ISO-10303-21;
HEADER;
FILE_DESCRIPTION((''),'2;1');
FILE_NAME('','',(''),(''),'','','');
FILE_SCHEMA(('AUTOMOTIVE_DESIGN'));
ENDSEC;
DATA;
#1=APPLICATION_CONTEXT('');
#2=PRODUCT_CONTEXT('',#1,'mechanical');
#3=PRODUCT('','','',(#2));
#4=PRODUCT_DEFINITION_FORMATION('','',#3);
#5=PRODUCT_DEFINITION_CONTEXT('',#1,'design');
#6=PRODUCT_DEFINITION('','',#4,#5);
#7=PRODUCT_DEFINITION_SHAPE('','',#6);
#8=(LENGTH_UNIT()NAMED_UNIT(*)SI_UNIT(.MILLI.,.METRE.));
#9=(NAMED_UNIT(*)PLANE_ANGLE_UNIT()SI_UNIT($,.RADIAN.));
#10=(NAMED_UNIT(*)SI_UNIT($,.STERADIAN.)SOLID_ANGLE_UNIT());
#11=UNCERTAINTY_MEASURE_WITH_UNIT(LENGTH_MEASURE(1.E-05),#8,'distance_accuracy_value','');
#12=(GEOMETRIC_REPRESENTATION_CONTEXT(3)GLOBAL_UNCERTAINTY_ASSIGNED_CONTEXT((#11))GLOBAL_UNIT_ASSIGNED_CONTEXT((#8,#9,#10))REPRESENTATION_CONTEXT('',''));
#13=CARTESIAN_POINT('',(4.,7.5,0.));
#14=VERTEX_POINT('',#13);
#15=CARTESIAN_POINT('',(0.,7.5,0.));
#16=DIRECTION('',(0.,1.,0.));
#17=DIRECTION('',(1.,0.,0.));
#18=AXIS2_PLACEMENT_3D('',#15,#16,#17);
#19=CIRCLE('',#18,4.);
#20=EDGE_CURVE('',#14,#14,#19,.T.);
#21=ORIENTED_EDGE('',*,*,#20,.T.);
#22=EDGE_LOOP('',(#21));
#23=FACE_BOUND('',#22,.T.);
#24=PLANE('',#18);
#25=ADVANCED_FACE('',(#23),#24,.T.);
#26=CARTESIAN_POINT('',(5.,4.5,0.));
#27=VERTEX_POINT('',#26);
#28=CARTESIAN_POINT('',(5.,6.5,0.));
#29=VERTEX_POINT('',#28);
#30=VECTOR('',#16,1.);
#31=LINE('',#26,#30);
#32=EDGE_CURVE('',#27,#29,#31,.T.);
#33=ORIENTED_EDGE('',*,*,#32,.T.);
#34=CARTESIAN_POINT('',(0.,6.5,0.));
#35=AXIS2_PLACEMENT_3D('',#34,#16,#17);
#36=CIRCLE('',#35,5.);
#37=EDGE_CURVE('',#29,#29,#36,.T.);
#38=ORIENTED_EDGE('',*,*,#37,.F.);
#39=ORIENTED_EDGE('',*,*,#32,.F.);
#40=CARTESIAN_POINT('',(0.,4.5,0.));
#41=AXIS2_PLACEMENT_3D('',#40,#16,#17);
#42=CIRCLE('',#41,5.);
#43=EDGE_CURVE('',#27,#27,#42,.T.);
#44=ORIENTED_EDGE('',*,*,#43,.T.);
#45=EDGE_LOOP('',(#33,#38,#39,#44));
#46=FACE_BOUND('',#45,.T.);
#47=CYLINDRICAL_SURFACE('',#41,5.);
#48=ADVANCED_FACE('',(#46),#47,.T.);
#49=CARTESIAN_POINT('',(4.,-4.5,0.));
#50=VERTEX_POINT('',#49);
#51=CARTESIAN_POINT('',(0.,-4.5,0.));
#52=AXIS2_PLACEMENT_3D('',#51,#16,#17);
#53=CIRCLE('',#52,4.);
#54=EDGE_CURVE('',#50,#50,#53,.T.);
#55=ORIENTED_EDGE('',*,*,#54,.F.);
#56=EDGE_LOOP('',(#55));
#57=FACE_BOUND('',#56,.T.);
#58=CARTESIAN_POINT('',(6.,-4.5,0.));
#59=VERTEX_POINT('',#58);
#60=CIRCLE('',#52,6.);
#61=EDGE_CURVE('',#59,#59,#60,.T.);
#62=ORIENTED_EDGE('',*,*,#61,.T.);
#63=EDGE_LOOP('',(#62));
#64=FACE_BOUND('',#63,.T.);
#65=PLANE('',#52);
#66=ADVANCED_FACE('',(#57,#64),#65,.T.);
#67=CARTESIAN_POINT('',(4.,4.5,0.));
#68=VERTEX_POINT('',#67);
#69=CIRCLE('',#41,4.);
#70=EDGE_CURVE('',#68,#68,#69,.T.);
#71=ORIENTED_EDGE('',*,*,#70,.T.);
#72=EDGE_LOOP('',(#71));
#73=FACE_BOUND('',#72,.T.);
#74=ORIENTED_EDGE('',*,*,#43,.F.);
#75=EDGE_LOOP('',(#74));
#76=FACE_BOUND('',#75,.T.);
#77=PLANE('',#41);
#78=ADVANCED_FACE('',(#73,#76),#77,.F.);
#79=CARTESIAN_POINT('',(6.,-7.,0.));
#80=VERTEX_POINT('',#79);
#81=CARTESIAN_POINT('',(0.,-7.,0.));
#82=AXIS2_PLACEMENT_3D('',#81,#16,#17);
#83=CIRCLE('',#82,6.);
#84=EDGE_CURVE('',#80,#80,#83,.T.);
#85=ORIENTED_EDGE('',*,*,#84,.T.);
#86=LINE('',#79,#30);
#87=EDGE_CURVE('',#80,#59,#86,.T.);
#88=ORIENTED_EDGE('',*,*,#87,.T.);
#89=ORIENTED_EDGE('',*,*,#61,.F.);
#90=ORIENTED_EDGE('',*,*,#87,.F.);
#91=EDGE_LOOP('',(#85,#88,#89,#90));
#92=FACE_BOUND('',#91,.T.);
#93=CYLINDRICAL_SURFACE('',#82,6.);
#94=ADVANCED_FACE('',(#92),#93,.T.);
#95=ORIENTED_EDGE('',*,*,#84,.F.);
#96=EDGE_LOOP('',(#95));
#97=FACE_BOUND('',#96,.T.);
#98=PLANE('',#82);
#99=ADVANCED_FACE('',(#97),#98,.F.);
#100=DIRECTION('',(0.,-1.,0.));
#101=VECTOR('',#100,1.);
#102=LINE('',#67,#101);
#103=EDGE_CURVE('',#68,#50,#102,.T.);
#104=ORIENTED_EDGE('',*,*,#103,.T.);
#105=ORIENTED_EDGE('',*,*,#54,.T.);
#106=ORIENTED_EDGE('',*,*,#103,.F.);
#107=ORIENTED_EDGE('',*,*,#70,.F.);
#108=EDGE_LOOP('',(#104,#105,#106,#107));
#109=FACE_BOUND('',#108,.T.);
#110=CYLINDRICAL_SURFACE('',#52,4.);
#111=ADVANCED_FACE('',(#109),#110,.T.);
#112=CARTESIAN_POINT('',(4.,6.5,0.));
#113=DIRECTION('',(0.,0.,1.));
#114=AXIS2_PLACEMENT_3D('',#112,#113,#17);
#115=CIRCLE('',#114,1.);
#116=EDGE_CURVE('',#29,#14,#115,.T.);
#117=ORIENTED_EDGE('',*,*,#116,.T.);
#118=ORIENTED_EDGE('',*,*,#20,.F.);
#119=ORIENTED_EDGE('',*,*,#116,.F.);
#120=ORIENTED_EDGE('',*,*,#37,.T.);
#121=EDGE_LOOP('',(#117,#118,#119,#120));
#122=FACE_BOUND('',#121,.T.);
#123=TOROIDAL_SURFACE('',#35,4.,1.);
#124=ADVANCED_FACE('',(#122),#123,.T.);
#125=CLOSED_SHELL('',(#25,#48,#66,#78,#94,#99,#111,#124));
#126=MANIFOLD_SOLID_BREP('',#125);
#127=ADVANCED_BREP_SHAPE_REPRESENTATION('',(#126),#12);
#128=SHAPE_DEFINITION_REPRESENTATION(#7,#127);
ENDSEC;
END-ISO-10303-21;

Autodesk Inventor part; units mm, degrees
ref_plane "YZ Plane" through (0, 0, 0) normal (1, 0, 0) x (0, 1, 0)
ref_plane "XZ Plane" through (0, 0, 0) normal (0, 1, 0) x (-1, 0, 0)
ref_plane "XY Plane" through (0, 0, 0) normal (0, 0, 1) x (1, 0, 0)
sketch "Sketch1" plane through (0, 0, 0) normal (0, 0, 1) x (1, 0, 0)
  line L0 (-1.2, 0) -> (7.2, 0) projected
  line L1 (0, -9.9414) -> (0, 10.6485) projected
  line L2 (0, -7) -> (6, -7)
  line L3 (6, -7) -> (6, -4.5)
  line L4 (6, -4.5) -> (4, -4.5)
  line L5 (4, -4.5) -> (4, 4.5)
  line L6 (4, 4.5) -> (5, 4.5)
  line L7 (5, 4.5) -> (5, 6.5)
  line L8 (4, 7.5) -> (0, 7.5)
  arc A0 (5, 6.5) -> (4, 7.5) centre (4, 6.5) ccw
  point P0 (0, 0)
  point P1 (4, 0)
  dimension "d1" = 10
  dimension "d2" = 8
  dimension "d3" = 12
  dimension "d4" = 9
  dimension "d5" = 3
  dimension "d6" = 2.5
  dimension "d7" = 1
revolve "Revolution1" add sketch "Sketch1" angle 360 about axis through (0, -10, 0) along (0, 1, 0)
properties part number "312-02" material "Stainless Steel"
